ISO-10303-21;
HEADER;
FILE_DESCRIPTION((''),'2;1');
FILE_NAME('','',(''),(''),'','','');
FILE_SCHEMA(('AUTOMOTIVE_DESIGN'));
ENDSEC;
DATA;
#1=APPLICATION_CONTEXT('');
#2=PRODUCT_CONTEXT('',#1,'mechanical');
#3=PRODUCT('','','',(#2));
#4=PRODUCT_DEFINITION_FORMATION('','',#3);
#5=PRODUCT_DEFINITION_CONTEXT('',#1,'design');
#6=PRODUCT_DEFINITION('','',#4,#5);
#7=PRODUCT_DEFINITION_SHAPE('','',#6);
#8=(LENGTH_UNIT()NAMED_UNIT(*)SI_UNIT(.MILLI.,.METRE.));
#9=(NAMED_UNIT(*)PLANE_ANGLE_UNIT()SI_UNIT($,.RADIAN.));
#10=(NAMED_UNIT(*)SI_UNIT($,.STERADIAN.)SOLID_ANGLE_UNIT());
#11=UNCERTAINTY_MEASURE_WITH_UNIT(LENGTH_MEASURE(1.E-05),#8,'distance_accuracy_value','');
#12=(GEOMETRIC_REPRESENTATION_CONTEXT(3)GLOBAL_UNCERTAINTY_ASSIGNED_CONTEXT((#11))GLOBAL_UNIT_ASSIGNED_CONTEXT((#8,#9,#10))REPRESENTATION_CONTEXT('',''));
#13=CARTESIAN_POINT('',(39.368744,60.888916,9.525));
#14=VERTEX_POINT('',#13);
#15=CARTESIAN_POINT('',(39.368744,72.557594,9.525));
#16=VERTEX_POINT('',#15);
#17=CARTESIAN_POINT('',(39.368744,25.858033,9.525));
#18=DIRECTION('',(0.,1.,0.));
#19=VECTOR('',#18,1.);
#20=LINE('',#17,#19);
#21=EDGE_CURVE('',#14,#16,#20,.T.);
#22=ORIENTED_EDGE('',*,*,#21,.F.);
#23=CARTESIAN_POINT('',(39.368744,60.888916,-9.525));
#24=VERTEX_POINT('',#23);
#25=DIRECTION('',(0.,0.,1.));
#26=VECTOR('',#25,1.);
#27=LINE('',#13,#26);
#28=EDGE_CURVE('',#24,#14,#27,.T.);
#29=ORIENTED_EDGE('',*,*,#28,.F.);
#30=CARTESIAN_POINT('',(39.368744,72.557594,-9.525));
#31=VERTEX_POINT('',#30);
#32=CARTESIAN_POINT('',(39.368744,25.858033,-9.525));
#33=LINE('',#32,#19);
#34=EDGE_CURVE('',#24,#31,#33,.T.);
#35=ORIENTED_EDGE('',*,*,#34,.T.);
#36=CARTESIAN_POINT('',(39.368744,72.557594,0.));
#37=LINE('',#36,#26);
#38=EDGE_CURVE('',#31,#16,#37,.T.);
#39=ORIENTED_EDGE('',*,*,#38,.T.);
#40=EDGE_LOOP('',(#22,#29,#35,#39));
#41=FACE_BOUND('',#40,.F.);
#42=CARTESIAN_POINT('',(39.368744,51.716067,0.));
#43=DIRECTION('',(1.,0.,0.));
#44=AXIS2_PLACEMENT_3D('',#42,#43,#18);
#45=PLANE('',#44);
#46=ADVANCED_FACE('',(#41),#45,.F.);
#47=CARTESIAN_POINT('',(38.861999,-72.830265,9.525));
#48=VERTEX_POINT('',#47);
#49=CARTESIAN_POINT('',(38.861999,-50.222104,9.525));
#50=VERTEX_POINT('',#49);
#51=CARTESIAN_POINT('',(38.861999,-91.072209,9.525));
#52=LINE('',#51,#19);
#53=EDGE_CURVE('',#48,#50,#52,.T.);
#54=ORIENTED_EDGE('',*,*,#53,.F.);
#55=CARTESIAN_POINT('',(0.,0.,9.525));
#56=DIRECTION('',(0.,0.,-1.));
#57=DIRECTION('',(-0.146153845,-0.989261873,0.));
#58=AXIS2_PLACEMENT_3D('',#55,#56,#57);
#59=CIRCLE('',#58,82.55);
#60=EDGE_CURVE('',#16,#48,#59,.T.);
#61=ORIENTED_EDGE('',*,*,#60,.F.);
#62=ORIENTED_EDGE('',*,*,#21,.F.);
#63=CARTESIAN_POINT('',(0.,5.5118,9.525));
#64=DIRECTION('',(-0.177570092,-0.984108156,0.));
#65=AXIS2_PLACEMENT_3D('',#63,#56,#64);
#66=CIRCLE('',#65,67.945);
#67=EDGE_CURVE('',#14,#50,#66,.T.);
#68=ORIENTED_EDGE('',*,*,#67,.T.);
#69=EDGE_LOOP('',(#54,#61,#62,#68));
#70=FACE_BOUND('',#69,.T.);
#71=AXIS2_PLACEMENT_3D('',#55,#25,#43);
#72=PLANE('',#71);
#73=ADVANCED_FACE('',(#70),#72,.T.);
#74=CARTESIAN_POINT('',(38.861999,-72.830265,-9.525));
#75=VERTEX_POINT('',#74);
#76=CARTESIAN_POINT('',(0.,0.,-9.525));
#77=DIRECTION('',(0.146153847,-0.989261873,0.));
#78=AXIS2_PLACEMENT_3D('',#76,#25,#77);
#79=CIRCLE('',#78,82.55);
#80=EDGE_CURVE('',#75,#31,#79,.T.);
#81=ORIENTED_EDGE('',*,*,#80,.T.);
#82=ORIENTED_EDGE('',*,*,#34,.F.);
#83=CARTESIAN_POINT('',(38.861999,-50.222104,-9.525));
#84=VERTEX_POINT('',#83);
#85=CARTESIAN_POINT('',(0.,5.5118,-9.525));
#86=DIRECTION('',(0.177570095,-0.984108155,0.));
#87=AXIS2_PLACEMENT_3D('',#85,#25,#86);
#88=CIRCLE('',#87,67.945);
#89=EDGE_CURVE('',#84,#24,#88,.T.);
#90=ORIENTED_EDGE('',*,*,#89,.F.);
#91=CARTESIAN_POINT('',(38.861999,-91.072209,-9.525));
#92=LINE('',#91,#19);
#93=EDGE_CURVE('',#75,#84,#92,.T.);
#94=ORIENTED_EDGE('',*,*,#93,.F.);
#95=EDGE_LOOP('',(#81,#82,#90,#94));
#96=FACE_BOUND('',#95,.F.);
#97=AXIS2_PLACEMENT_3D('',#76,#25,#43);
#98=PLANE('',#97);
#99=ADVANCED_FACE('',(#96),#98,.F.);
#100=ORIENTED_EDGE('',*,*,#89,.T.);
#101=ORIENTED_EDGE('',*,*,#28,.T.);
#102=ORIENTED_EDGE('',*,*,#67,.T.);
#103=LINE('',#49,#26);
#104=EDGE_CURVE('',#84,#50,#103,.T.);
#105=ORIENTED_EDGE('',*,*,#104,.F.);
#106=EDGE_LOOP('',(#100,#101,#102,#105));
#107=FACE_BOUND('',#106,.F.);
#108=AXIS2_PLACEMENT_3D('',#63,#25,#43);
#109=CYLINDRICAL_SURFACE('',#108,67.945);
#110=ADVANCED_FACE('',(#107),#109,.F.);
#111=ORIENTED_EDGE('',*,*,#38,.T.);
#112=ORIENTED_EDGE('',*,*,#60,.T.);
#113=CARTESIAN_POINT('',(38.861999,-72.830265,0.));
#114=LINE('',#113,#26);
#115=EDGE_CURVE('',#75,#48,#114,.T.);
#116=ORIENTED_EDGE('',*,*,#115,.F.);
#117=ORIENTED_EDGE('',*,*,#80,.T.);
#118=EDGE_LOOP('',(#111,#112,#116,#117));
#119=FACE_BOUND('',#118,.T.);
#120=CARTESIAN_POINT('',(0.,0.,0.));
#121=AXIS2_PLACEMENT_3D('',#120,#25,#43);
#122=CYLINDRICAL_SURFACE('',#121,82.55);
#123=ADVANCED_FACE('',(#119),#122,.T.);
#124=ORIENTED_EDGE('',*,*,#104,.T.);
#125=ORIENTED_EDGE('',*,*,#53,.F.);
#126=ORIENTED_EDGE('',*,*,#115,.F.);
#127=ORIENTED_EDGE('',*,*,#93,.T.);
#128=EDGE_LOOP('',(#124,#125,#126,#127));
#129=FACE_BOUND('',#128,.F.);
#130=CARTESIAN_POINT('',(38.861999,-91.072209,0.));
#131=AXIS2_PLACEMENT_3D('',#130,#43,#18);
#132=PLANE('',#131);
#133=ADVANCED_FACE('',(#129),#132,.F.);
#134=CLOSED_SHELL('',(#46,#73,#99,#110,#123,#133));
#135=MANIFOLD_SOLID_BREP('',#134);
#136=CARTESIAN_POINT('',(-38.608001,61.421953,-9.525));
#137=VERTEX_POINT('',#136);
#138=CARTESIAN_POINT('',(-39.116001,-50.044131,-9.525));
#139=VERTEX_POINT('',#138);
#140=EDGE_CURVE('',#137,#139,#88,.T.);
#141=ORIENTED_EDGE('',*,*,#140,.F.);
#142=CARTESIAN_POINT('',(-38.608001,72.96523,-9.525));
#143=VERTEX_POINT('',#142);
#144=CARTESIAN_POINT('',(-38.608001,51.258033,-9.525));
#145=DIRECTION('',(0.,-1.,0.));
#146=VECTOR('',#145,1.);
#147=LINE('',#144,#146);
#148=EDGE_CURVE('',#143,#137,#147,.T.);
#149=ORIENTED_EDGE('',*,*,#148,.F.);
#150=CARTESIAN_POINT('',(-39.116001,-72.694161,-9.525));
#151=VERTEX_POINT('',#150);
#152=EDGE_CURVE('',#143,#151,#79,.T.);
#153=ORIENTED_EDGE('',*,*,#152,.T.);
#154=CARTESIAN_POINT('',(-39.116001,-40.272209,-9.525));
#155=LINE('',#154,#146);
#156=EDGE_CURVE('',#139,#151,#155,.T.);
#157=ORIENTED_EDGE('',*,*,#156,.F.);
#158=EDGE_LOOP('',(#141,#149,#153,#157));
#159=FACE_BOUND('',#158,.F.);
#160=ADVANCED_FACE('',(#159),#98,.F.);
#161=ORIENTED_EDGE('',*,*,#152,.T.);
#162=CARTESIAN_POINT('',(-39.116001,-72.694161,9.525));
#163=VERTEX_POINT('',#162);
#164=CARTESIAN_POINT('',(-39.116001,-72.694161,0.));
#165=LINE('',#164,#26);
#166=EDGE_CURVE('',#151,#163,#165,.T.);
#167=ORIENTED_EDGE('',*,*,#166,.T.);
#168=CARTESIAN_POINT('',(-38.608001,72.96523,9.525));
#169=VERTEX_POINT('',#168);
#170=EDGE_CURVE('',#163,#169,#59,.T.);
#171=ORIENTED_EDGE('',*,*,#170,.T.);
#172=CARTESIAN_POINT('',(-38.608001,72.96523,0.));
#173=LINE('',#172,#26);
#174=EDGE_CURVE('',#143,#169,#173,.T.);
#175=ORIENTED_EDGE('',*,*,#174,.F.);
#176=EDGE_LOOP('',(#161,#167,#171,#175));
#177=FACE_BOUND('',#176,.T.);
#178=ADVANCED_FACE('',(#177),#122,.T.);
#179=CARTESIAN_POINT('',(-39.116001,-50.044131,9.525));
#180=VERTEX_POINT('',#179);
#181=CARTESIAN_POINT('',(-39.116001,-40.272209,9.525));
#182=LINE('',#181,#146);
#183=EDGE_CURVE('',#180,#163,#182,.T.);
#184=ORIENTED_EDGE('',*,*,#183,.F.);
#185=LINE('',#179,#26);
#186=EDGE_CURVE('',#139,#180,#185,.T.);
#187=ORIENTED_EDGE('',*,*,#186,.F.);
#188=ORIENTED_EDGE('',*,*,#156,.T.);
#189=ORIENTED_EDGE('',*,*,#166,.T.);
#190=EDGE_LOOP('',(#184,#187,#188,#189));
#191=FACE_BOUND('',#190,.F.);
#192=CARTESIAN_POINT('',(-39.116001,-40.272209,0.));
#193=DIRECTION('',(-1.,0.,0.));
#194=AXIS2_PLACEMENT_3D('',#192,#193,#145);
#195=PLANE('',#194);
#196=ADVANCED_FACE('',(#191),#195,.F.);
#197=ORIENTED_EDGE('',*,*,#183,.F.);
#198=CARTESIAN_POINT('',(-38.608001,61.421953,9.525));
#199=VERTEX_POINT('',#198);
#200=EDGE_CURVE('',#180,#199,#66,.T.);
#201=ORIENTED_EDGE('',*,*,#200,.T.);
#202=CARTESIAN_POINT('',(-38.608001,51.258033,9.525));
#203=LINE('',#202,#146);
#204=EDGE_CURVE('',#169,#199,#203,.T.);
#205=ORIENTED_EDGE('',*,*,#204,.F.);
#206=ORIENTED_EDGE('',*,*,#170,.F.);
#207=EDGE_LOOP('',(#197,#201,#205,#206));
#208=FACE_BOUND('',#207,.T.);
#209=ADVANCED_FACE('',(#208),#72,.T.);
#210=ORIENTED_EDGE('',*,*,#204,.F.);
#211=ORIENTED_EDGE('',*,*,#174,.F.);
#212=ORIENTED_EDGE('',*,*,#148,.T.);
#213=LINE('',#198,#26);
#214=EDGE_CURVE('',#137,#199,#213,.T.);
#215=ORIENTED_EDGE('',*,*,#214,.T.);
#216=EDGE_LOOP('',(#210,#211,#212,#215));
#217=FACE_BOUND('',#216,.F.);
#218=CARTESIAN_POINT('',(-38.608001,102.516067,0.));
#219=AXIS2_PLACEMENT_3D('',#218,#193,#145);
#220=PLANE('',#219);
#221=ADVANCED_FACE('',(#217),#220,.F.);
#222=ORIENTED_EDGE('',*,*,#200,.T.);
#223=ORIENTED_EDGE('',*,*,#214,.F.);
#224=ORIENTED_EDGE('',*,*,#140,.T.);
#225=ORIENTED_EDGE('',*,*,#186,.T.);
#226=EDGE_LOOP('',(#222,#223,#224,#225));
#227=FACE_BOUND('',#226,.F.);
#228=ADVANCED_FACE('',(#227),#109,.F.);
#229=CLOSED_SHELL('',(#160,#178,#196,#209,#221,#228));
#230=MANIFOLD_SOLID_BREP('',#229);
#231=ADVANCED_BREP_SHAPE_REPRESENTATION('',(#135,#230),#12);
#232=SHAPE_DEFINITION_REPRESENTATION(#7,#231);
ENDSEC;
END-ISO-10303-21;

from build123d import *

# Parameters (mm, degrees)
F0_R     = 82.55
F1_DEPTH = 9.525
F2_W     = 24.13
F2_H     = 99.441
F3_DEPTH = 9.525
F4_R     = 67.945
F5_DEPTH = 19.05
F7_DEPTH = 9.525
F9_DEPTH = 22.225


with BuildPart() as f1:
    # F0 (on Top) → F1 (new body, symmetric)
    with BuildSketch(Plane.XY):
        Circle(F0_R)
    extrude(amount=F1_DEPTH, both=True)

    # F2 (on Top) → F3 (cut, symmetric)
    with BuildSketch(Plane.XY):
        with Locations((9.92e-08, -32.9009743614)):
            Rectangle(F2_W, F2_H)
    extrude(amount=F3_DEPTH, both=True, mode=Mode.SUBTRACT)

    # F4 (on face) → F5 (cut)
    with BuildSketch(Plane.XY.offset(9.525)):
        with Locations((0, 5.5118)):
            Circle(F4_R)
    extrude(amount=-F5_DEPTH, mode=Mode.SUBTRACT)

    # F6 (on Top) → F7 (cut, symmetric)
    with BuildSketch(Plane.XY):
        Polygon((38.8619990952, -40.2722091794), (-5.8420009048, -40.2722091794), (-39.1160009048, -40.2722091794), (-39.1160009048, -91.0722091794), (38.8619990952, -91.0722091794), align=None)
    extrude(amount=F7_DEPTH, both=True, mode=Mode.SUBTRACT)

    # F8 (on Top) → F9 (cut, symmetric)
    with BuildSketch(Plane.XY):
        Polygon((39.3687439047, 102.805023804), (6.0959986031, 102.5160668969), (-38.6080013969, 102.5160668969), (-38.6080013969, 51.7160668969), (6.0959986031, 51.7160668969), (39.3687439047, 51.7160668969), align=None)
    extrude(amount=F9_DEPTH, both=True, mode=Mode.SUBTRACT)


solid = f1.part
